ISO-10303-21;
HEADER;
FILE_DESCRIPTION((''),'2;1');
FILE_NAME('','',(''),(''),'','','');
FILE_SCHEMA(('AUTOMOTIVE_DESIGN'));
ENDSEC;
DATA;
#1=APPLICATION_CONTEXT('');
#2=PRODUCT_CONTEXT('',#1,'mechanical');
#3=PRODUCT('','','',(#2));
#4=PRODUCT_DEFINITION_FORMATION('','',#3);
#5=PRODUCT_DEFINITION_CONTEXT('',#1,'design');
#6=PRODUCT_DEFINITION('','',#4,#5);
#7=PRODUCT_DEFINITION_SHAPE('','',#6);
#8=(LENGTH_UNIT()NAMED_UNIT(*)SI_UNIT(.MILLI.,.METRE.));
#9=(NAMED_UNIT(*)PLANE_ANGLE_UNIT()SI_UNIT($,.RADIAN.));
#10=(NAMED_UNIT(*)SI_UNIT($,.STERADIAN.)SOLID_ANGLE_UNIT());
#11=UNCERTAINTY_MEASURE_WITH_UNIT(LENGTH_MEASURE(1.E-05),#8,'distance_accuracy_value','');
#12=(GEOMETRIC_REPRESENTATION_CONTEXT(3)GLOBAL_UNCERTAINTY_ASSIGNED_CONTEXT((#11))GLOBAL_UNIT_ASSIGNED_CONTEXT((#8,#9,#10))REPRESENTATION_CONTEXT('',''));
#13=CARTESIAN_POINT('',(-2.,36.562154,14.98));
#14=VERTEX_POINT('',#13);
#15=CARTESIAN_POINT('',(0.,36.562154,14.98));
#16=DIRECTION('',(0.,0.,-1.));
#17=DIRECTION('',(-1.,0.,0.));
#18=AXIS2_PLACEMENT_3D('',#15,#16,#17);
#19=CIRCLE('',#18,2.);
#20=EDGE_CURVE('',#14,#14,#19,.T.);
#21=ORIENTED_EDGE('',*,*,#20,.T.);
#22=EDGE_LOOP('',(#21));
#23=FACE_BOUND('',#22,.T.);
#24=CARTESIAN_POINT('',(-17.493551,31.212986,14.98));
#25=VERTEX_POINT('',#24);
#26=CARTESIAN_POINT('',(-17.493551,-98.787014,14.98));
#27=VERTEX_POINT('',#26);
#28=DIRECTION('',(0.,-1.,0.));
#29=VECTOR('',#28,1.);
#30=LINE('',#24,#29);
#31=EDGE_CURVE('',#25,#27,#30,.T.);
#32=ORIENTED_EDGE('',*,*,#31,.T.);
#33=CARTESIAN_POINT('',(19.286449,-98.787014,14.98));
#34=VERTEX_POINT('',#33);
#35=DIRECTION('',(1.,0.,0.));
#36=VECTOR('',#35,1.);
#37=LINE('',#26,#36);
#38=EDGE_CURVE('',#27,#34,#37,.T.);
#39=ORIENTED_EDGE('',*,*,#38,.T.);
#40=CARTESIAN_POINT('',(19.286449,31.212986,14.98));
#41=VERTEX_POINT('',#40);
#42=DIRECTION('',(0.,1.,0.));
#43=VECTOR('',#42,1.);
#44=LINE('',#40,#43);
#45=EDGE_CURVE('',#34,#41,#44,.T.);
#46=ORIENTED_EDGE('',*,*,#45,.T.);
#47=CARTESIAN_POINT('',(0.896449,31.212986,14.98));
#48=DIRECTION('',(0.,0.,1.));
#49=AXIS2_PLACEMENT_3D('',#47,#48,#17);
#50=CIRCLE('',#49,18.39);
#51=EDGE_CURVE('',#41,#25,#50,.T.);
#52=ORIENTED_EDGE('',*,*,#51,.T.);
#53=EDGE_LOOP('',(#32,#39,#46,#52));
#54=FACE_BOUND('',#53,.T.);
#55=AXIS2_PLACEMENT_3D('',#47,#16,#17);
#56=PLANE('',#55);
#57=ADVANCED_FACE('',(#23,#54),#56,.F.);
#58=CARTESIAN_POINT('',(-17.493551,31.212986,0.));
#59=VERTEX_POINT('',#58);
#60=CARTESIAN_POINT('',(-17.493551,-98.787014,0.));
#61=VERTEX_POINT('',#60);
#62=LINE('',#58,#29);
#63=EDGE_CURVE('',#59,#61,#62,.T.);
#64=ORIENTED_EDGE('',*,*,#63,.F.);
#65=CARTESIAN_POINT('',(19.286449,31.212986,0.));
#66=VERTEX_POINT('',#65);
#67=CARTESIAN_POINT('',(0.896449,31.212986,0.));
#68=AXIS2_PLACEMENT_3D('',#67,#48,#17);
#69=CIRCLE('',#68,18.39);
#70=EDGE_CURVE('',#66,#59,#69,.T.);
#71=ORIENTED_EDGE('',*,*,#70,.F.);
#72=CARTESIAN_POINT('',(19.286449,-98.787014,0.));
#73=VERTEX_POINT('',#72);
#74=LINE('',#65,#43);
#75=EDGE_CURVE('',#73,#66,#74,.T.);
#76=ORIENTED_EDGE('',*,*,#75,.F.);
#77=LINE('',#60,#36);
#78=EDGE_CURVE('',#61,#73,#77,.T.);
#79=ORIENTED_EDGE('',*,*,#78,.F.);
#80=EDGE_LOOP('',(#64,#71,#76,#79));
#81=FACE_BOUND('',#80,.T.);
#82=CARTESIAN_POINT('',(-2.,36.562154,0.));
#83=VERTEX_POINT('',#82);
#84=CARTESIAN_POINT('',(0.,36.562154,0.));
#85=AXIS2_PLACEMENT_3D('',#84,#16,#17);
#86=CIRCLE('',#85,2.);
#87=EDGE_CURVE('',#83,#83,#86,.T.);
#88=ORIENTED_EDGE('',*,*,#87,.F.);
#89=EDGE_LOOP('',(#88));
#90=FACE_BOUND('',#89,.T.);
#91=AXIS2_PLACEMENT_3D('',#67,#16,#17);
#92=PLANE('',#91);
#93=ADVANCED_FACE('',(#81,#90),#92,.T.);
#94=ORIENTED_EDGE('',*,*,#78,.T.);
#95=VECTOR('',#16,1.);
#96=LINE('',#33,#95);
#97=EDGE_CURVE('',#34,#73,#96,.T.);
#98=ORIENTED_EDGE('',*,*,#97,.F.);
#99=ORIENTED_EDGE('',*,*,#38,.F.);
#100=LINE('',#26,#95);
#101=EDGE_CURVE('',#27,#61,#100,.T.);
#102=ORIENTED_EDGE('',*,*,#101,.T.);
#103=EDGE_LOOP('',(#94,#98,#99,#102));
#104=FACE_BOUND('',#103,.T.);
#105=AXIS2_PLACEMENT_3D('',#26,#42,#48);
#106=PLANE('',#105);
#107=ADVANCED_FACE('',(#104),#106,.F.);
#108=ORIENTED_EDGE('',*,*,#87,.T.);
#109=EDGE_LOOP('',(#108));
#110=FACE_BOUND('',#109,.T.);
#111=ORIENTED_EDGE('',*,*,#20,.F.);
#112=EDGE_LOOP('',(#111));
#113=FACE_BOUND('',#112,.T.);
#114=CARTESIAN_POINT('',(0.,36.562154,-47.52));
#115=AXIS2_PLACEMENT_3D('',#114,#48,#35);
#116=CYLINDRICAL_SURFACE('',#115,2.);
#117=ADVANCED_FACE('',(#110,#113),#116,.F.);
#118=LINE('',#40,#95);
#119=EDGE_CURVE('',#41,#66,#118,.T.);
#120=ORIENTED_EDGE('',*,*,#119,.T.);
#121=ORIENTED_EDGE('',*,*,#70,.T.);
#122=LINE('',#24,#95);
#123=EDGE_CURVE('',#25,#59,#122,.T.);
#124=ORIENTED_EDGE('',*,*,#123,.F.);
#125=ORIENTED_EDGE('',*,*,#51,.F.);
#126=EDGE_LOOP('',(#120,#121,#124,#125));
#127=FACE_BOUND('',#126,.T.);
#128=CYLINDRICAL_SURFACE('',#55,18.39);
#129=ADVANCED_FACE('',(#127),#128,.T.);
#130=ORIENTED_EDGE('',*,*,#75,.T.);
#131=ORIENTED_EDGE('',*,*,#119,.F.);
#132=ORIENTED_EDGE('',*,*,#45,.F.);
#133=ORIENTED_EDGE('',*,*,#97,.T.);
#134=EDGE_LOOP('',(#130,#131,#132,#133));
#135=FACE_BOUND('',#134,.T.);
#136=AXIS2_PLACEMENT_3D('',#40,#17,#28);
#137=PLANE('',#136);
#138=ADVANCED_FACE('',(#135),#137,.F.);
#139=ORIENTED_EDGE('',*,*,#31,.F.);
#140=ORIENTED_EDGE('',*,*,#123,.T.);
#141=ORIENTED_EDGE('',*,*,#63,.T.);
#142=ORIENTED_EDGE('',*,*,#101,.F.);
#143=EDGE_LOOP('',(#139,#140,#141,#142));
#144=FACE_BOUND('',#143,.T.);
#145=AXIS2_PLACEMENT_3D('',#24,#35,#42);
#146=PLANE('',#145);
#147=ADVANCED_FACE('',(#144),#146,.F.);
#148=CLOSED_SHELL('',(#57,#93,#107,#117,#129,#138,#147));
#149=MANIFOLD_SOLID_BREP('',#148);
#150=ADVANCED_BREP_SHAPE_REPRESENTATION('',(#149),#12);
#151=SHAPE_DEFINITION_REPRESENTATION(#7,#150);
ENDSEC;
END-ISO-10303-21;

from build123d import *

# Parameters (mm, degrees)
RESSALTO_EXTRUS_O1_DEPTH = 14.98
ESBO_O2_R                = 2
CORTE_EXTRUS_O1_DEPTH    = 62.5


with BuildPart() as part:
    # Esboço1 → Ressalto-extrusão1 (new body)
    with BuildSketch(Plane.XY):
        with BuildLine():
            Line((-17.493550541, 31.212986182), (-17.493550541, -98.787013818))
            Line((-17.493550541, -98.787013818), (19.286449459, -98.787013818))
            Line((19.286449459, -98.787013818), (19.286449459, 31.212986182))
            ThreePointArc((19.286449459, 31.212986182), (0.896449459, 49.602986182), (-17.493550541, 31.212986182))
        make_face()
    extrude(amount=RESSALTO_EXTRUS_O1_DEPTH)

    # Esboço2 → Corte-extrusão1 (cut, symmetric)
    with BuildSketch(Plane.XY.offset(14.98)):
        with Locations(Location((0, 36.56215444, 0), (0, 0, 180))):
            Circle(ESBO_O2_R)
    extrude(amount=CORTE_EXTRUS_O1_DEPTH, both=True, mode=Mode.SUBTRACT)


solid = part.part
